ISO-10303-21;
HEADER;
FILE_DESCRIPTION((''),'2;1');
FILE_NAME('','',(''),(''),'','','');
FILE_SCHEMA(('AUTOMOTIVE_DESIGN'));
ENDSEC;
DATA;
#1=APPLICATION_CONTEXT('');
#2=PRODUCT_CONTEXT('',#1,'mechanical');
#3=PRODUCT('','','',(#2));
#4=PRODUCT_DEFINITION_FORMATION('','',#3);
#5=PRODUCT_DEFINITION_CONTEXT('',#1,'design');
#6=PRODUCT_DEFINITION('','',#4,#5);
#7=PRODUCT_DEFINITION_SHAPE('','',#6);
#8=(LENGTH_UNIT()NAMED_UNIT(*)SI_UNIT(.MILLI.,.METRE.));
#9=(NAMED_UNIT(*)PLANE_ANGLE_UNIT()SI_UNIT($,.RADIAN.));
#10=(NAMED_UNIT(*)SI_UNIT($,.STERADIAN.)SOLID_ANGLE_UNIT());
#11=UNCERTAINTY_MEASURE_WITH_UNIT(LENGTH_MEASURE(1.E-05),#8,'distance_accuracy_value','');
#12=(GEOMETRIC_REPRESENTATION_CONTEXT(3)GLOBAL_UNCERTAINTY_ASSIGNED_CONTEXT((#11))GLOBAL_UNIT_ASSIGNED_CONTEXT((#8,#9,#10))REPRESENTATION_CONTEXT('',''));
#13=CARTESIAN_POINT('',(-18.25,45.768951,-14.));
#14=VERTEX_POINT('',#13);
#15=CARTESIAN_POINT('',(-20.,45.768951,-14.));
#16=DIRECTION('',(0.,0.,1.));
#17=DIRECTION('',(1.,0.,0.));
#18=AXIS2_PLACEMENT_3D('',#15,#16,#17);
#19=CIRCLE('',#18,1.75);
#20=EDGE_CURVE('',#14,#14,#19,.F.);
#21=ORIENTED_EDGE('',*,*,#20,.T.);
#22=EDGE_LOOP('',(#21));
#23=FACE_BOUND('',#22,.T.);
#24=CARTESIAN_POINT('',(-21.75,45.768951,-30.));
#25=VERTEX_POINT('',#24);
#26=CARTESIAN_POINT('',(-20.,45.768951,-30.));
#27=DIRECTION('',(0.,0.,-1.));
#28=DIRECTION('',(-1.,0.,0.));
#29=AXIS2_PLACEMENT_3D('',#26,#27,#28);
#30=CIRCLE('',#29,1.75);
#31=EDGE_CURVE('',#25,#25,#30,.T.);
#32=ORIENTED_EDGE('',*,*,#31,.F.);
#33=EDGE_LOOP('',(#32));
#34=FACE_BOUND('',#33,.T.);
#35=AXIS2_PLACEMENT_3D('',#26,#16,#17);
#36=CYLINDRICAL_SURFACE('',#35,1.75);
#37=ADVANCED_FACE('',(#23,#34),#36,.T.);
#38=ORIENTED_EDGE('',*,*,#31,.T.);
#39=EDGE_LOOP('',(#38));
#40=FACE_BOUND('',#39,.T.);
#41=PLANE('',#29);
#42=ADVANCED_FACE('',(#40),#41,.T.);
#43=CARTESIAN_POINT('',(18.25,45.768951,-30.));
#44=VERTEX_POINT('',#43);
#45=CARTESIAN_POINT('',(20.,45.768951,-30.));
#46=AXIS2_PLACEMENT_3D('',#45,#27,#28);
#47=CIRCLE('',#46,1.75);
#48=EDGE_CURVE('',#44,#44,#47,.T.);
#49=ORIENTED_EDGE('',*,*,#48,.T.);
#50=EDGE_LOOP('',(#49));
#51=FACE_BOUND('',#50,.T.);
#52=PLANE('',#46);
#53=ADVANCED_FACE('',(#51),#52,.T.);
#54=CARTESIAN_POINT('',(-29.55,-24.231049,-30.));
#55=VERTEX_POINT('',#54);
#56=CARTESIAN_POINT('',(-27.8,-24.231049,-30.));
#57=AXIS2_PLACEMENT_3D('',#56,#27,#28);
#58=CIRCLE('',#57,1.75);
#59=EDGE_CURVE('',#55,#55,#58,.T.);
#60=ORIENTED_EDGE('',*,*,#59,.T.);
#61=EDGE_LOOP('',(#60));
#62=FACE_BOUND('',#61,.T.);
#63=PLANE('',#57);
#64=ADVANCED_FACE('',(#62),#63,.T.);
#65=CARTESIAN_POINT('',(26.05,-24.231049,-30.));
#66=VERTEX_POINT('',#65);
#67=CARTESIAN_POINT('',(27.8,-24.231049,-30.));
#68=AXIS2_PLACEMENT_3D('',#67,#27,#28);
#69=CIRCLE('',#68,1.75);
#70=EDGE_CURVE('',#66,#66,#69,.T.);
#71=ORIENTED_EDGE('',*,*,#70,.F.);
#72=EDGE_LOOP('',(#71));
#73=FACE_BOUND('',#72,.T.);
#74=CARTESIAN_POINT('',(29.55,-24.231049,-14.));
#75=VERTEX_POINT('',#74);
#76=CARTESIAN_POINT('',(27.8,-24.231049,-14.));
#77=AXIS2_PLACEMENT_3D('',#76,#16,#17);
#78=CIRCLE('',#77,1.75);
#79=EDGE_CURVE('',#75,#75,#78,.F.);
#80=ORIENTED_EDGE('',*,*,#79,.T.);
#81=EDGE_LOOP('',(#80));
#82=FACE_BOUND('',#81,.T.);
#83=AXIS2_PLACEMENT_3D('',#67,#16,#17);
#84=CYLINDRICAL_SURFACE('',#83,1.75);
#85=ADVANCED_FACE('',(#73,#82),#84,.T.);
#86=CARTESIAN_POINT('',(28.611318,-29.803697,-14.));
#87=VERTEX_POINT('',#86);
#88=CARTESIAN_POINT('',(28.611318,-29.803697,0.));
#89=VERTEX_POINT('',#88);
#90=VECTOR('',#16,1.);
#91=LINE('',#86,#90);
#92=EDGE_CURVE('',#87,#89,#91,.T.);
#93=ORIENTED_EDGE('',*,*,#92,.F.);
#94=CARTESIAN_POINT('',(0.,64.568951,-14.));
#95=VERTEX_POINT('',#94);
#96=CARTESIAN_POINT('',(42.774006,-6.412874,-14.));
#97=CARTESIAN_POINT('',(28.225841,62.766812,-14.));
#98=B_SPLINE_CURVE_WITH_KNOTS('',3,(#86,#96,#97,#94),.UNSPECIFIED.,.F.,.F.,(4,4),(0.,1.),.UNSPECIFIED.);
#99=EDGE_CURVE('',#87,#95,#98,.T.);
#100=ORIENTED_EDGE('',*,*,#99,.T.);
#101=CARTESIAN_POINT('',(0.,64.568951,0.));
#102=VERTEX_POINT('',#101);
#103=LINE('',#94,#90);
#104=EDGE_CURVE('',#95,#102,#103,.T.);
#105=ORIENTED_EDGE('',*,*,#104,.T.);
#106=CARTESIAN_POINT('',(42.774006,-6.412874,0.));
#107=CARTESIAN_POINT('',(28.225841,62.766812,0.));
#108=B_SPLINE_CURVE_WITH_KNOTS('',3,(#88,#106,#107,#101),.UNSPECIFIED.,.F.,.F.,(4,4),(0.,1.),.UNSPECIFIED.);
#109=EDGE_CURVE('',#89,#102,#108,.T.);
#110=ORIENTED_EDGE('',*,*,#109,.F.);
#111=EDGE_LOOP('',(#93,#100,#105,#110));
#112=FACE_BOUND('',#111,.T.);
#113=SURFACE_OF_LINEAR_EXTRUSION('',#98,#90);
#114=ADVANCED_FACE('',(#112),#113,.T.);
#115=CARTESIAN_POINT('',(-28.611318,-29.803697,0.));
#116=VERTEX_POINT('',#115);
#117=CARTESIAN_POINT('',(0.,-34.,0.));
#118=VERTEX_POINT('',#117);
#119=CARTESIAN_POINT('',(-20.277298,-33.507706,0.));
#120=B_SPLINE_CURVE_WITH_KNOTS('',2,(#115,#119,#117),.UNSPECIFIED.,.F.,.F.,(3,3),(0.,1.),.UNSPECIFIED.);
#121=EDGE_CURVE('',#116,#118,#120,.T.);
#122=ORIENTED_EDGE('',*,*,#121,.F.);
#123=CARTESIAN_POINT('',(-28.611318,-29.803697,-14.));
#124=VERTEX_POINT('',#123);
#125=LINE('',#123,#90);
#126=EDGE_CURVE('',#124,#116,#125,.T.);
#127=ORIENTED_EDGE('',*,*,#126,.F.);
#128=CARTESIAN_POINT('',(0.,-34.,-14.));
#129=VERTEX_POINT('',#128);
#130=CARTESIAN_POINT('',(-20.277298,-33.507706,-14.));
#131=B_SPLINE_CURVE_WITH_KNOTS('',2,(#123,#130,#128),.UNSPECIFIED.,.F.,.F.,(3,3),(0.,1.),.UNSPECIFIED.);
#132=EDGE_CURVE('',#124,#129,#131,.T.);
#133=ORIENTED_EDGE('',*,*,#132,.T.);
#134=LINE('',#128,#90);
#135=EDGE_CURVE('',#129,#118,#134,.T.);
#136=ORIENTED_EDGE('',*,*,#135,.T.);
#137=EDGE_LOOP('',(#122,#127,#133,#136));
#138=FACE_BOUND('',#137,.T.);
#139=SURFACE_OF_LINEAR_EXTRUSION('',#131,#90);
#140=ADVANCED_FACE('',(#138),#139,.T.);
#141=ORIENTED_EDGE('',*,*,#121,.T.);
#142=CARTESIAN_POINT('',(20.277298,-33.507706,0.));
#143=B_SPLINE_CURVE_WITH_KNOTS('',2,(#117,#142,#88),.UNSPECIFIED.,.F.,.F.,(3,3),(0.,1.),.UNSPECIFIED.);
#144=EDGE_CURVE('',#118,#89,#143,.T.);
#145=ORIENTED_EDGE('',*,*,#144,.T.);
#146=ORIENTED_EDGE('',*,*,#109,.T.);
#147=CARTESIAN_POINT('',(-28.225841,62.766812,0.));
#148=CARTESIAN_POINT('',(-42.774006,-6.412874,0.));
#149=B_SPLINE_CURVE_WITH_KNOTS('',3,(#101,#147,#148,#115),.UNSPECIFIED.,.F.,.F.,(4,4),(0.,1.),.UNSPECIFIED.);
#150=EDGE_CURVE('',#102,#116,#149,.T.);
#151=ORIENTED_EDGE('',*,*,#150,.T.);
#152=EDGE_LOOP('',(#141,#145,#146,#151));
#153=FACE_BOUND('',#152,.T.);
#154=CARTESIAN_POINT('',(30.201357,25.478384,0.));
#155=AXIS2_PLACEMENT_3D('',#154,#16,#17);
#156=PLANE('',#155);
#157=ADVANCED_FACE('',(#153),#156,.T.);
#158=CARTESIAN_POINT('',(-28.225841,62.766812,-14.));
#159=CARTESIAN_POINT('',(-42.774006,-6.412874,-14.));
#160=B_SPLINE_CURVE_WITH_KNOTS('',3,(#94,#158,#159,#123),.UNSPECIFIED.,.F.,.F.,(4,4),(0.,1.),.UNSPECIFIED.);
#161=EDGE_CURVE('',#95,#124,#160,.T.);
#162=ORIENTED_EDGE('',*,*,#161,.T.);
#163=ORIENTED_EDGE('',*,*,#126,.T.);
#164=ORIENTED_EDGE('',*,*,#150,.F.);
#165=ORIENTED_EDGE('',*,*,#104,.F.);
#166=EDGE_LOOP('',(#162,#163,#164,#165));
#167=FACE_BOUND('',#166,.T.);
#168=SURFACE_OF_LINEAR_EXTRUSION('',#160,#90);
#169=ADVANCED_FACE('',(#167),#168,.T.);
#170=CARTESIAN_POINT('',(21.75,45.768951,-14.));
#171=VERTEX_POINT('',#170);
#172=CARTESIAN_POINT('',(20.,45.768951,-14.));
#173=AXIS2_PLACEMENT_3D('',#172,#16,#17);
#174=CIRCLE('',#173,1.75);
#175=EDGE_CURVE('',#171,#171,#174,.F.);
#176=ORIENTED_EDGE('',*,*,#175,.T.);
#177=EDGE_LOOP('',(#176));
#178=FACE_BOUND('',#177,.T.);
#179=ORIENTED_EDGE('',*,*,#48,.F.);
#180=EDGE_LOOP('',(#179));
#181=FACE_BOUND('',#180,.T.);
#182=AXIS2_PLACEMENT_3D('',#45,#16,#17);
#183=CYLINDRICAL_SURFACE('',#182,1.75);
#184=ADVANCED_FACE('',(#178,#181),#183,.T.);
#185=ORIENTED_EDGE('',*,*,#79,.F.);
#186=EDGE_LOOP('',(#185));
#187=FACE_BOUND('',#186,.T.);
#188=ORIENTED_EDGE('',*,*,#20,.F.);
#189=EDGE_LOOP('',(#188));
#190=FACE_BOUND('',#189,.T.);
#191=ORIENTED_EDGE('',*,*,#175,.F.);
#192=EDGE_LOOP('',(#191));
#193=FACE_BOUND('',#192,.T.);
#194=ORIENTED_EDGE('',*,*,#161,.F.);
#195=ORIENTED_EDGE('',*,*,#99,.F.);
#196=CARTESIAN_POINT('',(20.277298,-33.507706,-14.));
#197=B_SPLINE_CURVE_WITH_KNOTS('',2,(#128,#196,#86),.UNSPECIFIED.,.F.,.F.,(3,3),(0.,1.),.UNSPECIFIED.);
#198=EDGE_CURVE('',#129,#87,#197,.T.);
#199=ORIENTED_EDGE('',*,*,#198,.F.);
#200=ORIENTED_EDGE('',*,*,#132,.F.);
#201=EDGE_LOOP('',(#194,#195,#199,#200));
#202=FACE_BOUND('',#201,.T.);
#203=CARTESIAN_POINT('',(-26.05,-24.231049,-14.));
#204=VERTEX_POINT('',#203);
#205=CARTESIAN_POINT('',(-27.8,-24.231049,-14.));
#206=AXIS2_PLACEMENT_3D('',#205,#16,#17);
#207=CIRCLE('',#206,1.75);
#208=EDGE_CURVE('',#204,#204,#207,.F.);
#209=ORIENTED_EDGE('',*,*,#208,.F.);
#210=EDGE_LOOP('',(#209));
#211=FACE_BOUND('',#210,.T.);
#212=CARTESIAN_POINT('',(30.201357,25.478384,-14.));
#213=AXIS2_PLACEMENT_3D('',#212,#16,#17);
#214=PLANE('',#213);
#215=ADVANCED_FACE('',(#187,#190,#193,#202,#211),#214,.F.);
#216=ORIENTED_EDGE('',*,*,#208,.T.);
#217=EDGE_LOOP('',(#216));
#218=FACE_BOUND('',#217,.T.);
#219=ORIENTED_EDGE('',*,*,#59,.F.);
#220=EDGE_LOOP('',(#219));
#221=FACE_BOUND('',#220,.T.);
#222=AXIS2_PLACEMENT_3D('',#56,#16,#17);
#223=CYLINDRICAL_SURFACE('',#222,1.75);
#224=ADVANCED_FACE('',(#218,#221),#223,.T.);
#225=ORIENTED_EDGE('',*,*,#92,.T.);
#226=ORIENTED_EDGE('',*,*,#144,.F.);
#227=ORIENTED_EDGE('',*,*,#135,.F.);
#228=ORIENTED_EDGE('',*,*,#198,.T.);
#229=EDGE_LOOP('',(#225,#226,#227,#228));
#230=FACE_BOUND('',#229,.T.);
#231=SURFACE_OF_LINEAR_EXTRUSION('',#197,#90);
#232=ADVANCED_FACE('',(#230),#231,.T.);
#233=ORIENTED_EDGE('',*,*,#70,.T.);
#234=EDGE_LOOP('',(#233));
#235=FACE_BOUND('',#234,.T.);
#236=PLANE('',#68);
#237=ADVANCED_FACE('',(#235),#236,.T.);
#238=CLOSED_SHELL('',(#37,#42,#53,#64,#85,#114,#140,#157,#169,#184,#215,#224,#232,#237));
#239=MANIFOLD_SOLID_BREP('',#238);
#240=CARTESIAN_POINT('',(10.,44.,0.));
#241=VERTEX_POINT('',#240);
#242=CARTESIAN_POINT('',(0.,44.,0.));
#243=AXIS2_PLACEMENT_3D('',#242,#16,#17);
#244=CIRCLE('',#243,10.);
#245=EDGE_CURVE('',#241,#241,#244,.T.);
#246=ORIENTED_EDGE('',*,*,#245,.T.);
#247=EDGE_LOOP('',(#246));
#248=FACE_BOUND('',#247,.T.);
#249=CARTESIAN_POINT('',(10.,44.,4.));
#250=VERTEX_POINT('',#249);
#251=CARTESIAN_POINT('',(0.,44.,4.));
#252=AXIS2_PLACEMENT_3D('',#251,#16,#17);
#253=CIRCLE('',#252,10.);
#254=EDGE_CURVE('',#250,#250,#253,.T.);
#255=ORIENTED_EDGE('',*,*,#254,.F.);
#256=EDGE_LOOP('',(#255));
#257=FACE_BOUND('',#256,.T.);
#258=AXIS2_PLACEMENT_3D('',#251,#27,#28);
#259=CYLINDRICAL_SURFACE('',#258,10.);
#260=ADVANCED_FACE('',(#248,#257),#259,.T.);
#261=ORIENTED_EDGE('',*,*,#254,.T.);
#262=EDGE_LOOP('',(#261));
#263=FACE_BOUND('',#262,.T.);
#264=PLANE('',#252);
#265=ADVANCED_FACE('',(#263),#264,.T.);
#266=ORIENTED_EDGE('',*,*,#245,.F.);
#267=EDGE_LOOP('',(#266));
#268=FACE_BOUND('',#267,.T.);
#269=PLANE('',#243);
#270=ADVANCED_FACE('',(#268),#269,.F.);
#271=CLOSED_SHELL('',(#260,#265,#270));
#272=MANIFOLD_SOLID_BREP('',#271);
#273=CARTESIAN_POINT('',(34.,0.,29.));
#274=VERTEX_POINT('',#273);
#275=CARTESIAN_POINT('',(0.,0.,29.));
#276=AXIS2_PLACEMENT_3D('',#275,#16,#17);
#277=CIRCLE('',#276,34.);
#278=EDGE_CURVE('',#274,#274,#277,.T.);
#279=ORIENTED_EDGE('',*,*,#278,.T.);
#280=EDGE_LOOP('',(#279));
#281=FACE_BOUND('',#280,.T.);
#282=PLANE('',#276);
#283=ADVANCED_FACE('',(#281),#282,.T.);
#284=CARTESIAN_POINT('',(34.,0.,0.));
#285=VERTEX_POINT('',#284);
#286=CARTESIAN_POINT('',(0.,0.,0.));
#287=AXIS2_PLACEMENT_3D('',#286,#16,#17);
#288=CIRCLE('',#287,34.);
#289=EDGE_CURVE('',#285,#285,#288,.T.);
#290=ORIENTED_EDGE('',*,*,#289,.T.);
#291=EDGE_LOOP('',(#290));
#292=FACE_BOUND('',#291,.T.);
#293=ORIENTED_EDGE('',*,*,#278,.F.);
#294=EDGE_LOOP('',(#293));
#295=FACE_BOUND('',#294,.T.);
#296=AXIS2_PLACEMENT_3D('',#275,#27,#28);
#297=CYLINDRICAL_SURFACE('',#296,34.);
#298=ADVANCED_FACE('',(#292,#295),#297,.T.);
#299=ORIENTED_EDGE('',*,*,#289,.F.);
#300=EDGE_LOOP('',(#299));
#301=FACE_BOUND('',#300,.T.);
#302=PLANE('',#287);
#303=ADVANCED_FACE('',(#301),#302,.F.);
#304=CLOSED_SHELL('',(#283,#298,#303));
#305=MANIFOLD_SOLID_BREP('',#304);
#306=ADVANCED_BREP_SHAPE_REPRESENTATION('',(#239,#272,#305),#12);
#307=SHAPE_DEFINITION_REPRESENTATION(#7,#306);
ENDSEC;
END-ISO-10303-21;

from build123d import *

# Parameters (mm, degrees)
SKETCH_1_R      = 34
EXTRUDE_2_DEPTH = 29
SKETCH_4_R      = 10
EXTRUDE_3_DEPTH = 4
EXTRUDE_5_DEPTH = 14
SKETCH_6_R      = 1.75
EXTRUDE_6_DEPTH = 16


with BuildPart() as part:
    # 草圖1 → 填料-伸長2 (new body)
    with BuildSketch(Plane.XY):
        Circle(SKETCH_1_R)
    extrude(amount=EXTRUDE_2_DEPTH)


with BuildPart() as body_2:
    # 草圖4 → 填料-伸長3 (new body)
    with BuildSketch(Plane.XY):
        with Locations((0, 44)):
            Circle(SKETCH_4_R)
    extrude(amount=EXTRUDE_3_DEPTH)


with BuildPart() as body_3:
    # 草圖5 → 填料-伸長5 (new body)
    with BuildSketch(Plane.XY):
        with BuildLine():
            add(Edge.make_bspline(
                [(0, 64.568950884), (-28.225840656, 62.766812112), (-42.774005852, -6.412874016), (-28.611317762, -29.803697061)],
                knots=[0, 0, 0, 0, 1, 1, 1, 1], degree=3))
            add(Edge.make_bspline(
                [(-28.611317762, -29.803697061), (-20.277297815, -33.507705927), (0, -34)],
                knots=[0, 0, 0, 1, 1, 1], degree=2))
            add(Edge.make_bspline(
                [(28.611317762, -29.803697061), (20.277297815, -33.507705927), (0, -34)],
                knots=[0, 0, 0, 1, 1, 1], degree=2))
            add(Edge.make_bspline(
                [(0, 64.568950884), (28.225840656, 62.766812112), (42.774005852, -6.412874016), (28.611317762, -29.803697061)],
                knots=[0, 0, 0, 0, 1, 1, 1, 1], degree=3))
        make_face()
    extrude(amount=-EXTRUDE_5_DEPTH)

    # 草圖6 → 填料-伸長6 (add)
    with BuildSketch(Plane(origin=(0, 0, -14), x_dir=(-1, 0, 0), z_dir=(0, 0, -1))):
        with Locations((-27.8, -24.231049116)):
            Circle(SKETCH_6_R)
        with Locations((27.8, -24.231049116)):
            Circle(SKETCH_6_R)
        with Locations((-20, 45.768950884)):
            Circle(SKETCH_6_R)
        with Locations((20, 45.768950884)):
            Circle(SKETCH_6_R)
    extrude(amount=EXTRUDE_6_DEPTH)


solid = Compound([part.part, body_2.part, body_3.part])
